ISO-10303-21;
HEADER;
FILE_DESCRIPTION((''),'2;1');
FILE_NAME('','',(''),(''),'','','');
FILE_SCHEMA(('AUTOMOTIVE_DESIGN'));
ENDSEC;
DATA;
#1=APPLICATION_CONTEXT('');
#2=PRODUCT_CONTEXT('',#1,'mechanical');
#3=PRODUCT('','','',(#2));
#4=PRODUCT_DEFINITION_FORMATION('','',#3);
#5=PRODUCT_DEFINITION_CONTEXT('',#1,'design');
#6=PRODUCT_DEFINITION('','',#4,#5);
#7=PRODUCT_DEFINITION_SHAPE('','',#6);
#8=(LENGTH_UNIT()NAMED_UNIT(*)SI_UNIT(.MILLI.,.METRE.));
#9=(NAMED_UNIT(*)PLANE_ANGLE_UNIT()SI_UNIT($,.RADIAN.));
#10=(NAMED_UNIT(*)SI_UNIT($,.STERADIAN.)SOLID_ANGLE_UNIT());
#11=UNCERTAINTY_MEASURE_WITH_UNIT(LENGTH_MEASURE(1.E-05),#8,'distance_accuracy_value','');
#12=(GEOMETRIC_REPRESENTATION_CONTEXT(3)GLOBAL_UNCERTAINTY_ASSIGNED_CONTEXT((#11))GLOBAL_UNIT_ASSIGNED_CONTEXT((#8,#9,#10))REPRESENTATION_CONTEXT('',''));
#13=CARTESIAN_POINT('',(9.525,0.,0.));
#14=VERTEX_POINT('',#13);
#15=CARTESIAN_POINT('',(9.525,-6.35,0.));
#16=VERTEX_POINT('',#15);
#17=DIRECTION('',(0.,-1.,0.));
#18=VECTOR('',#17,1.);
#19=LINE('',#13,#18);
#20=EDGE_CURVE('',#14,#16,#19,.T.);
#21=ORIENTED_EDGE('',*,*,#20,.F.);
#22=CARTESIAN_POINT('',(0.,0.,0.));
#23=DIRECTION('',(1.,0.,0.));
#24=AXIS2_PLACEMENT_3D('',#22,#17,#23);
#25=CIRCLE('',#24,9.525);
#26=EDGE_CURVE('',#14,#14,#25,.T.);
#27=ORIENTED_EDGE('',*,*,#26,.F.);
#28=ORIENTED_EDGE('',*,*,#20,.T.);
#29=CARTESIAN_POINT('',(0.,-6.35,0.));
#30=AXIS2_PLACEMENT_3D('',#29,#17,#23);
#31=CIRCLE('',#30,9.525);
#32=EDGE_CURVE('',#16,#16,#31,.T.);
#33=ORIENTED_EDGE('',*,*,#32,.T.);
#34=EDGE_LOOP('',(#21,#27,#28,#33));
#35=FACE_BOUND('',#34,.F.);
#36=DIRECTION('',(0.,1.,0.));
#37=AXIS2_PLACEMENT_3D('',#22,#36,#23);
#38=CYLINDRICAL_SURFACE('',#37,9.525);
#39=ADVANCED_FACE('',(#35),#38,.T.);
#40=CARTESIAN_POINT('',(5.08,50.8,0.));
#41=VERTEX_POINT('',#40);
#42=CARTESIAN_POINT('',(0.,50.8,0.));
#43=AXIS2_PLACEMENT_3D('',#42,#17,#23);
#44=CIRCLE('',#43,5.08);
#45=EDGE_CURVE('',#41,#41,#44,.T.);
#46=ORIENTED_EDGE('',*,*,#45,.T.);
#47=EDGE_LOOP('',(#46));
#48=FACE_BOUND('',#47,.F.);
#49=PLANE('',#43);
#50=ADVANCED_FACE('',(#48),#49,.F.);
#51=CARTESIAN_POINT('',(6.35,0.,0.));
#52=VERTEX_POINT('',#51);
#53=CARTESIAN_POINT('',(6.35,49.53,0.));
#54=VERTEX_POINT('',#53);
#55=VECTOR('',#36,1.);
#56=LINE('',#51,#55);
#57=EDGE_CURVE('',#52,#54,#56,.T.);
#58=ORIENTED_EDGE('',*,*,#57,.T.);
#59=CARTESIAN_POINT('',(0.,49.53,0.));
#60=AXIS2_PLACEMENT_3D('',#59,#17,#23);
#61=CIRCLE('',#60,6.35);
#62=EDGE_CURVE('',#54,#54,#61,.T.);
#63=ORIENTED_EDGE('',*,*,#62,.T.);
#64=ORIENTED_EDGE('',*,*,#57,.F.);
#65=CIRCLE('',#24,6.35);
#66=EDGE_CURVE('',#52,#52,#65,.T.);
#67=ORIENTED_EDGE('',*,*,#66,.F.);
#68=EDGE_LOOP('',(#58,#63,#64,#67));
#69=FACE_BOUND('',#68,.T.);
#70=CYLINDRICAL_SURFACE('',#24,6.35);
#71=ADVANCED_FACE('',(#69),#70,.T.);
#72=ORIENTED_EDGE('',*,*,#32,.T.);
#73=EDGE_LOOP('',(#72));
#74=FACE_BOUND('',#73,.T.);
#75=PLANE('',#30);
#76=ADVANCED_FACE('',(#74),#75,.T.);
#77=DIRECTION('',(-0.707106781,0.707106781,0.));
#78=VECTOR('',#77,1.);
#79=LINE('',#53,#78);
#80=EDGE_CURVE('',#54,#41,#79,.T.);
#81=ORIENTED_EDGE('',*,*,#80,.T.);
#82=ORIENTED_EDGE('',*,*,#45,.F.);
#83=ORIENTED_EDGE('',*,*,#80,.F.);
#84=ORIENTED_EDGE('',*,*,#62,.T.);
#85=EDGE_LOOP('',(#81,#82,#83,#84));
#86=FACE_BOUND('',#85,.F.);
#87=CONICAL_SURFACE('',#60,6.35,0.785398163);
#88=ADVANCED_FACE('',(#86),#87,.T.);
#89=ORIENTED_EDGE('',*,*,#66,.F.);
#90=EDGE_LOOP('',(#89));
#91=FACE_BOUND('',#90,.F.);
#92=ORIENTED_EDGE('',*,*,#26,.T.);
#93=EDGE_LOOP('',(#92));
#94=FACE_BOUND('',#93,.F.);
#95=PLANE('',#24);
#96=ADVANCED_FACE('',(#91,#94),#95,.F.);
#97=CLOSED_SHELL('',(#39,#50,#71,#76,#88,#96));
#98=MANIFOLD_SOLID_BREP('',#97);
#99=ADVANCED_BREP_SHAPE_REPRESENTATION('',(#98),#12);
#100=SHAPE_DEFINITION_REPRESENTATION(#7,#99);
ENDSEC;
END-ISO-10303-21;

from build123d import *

# Parameters (mm, degrees)
F2_R     = 9.525
F3_DEPTH = 6.35
F4_R     = 6.35
F5_DEPTH = 50.8
F6_SIZE  = 1.27


with BuildPart() as f3:
    # F2 (on Front) → F3 (new body)
    with BuildSketch(Plane.XZ):
        Circle(F2_R)
    extrude(amount=F3_DEPTH)

    # F4 (on Front) → F5 (join)
    with BuildSketch(Plane.XZ):
        Circle(F4_R)
    extrude(amount=-F5_DEPTH)

    # F6
    f6_edges = [f3.edges().sort_by_distance(p)[0] for p in [
        (-6.35, 50.8, 0),
    ]]
    chamfer(f6_edges, length=F6_SIZE)


solid = f3.part
